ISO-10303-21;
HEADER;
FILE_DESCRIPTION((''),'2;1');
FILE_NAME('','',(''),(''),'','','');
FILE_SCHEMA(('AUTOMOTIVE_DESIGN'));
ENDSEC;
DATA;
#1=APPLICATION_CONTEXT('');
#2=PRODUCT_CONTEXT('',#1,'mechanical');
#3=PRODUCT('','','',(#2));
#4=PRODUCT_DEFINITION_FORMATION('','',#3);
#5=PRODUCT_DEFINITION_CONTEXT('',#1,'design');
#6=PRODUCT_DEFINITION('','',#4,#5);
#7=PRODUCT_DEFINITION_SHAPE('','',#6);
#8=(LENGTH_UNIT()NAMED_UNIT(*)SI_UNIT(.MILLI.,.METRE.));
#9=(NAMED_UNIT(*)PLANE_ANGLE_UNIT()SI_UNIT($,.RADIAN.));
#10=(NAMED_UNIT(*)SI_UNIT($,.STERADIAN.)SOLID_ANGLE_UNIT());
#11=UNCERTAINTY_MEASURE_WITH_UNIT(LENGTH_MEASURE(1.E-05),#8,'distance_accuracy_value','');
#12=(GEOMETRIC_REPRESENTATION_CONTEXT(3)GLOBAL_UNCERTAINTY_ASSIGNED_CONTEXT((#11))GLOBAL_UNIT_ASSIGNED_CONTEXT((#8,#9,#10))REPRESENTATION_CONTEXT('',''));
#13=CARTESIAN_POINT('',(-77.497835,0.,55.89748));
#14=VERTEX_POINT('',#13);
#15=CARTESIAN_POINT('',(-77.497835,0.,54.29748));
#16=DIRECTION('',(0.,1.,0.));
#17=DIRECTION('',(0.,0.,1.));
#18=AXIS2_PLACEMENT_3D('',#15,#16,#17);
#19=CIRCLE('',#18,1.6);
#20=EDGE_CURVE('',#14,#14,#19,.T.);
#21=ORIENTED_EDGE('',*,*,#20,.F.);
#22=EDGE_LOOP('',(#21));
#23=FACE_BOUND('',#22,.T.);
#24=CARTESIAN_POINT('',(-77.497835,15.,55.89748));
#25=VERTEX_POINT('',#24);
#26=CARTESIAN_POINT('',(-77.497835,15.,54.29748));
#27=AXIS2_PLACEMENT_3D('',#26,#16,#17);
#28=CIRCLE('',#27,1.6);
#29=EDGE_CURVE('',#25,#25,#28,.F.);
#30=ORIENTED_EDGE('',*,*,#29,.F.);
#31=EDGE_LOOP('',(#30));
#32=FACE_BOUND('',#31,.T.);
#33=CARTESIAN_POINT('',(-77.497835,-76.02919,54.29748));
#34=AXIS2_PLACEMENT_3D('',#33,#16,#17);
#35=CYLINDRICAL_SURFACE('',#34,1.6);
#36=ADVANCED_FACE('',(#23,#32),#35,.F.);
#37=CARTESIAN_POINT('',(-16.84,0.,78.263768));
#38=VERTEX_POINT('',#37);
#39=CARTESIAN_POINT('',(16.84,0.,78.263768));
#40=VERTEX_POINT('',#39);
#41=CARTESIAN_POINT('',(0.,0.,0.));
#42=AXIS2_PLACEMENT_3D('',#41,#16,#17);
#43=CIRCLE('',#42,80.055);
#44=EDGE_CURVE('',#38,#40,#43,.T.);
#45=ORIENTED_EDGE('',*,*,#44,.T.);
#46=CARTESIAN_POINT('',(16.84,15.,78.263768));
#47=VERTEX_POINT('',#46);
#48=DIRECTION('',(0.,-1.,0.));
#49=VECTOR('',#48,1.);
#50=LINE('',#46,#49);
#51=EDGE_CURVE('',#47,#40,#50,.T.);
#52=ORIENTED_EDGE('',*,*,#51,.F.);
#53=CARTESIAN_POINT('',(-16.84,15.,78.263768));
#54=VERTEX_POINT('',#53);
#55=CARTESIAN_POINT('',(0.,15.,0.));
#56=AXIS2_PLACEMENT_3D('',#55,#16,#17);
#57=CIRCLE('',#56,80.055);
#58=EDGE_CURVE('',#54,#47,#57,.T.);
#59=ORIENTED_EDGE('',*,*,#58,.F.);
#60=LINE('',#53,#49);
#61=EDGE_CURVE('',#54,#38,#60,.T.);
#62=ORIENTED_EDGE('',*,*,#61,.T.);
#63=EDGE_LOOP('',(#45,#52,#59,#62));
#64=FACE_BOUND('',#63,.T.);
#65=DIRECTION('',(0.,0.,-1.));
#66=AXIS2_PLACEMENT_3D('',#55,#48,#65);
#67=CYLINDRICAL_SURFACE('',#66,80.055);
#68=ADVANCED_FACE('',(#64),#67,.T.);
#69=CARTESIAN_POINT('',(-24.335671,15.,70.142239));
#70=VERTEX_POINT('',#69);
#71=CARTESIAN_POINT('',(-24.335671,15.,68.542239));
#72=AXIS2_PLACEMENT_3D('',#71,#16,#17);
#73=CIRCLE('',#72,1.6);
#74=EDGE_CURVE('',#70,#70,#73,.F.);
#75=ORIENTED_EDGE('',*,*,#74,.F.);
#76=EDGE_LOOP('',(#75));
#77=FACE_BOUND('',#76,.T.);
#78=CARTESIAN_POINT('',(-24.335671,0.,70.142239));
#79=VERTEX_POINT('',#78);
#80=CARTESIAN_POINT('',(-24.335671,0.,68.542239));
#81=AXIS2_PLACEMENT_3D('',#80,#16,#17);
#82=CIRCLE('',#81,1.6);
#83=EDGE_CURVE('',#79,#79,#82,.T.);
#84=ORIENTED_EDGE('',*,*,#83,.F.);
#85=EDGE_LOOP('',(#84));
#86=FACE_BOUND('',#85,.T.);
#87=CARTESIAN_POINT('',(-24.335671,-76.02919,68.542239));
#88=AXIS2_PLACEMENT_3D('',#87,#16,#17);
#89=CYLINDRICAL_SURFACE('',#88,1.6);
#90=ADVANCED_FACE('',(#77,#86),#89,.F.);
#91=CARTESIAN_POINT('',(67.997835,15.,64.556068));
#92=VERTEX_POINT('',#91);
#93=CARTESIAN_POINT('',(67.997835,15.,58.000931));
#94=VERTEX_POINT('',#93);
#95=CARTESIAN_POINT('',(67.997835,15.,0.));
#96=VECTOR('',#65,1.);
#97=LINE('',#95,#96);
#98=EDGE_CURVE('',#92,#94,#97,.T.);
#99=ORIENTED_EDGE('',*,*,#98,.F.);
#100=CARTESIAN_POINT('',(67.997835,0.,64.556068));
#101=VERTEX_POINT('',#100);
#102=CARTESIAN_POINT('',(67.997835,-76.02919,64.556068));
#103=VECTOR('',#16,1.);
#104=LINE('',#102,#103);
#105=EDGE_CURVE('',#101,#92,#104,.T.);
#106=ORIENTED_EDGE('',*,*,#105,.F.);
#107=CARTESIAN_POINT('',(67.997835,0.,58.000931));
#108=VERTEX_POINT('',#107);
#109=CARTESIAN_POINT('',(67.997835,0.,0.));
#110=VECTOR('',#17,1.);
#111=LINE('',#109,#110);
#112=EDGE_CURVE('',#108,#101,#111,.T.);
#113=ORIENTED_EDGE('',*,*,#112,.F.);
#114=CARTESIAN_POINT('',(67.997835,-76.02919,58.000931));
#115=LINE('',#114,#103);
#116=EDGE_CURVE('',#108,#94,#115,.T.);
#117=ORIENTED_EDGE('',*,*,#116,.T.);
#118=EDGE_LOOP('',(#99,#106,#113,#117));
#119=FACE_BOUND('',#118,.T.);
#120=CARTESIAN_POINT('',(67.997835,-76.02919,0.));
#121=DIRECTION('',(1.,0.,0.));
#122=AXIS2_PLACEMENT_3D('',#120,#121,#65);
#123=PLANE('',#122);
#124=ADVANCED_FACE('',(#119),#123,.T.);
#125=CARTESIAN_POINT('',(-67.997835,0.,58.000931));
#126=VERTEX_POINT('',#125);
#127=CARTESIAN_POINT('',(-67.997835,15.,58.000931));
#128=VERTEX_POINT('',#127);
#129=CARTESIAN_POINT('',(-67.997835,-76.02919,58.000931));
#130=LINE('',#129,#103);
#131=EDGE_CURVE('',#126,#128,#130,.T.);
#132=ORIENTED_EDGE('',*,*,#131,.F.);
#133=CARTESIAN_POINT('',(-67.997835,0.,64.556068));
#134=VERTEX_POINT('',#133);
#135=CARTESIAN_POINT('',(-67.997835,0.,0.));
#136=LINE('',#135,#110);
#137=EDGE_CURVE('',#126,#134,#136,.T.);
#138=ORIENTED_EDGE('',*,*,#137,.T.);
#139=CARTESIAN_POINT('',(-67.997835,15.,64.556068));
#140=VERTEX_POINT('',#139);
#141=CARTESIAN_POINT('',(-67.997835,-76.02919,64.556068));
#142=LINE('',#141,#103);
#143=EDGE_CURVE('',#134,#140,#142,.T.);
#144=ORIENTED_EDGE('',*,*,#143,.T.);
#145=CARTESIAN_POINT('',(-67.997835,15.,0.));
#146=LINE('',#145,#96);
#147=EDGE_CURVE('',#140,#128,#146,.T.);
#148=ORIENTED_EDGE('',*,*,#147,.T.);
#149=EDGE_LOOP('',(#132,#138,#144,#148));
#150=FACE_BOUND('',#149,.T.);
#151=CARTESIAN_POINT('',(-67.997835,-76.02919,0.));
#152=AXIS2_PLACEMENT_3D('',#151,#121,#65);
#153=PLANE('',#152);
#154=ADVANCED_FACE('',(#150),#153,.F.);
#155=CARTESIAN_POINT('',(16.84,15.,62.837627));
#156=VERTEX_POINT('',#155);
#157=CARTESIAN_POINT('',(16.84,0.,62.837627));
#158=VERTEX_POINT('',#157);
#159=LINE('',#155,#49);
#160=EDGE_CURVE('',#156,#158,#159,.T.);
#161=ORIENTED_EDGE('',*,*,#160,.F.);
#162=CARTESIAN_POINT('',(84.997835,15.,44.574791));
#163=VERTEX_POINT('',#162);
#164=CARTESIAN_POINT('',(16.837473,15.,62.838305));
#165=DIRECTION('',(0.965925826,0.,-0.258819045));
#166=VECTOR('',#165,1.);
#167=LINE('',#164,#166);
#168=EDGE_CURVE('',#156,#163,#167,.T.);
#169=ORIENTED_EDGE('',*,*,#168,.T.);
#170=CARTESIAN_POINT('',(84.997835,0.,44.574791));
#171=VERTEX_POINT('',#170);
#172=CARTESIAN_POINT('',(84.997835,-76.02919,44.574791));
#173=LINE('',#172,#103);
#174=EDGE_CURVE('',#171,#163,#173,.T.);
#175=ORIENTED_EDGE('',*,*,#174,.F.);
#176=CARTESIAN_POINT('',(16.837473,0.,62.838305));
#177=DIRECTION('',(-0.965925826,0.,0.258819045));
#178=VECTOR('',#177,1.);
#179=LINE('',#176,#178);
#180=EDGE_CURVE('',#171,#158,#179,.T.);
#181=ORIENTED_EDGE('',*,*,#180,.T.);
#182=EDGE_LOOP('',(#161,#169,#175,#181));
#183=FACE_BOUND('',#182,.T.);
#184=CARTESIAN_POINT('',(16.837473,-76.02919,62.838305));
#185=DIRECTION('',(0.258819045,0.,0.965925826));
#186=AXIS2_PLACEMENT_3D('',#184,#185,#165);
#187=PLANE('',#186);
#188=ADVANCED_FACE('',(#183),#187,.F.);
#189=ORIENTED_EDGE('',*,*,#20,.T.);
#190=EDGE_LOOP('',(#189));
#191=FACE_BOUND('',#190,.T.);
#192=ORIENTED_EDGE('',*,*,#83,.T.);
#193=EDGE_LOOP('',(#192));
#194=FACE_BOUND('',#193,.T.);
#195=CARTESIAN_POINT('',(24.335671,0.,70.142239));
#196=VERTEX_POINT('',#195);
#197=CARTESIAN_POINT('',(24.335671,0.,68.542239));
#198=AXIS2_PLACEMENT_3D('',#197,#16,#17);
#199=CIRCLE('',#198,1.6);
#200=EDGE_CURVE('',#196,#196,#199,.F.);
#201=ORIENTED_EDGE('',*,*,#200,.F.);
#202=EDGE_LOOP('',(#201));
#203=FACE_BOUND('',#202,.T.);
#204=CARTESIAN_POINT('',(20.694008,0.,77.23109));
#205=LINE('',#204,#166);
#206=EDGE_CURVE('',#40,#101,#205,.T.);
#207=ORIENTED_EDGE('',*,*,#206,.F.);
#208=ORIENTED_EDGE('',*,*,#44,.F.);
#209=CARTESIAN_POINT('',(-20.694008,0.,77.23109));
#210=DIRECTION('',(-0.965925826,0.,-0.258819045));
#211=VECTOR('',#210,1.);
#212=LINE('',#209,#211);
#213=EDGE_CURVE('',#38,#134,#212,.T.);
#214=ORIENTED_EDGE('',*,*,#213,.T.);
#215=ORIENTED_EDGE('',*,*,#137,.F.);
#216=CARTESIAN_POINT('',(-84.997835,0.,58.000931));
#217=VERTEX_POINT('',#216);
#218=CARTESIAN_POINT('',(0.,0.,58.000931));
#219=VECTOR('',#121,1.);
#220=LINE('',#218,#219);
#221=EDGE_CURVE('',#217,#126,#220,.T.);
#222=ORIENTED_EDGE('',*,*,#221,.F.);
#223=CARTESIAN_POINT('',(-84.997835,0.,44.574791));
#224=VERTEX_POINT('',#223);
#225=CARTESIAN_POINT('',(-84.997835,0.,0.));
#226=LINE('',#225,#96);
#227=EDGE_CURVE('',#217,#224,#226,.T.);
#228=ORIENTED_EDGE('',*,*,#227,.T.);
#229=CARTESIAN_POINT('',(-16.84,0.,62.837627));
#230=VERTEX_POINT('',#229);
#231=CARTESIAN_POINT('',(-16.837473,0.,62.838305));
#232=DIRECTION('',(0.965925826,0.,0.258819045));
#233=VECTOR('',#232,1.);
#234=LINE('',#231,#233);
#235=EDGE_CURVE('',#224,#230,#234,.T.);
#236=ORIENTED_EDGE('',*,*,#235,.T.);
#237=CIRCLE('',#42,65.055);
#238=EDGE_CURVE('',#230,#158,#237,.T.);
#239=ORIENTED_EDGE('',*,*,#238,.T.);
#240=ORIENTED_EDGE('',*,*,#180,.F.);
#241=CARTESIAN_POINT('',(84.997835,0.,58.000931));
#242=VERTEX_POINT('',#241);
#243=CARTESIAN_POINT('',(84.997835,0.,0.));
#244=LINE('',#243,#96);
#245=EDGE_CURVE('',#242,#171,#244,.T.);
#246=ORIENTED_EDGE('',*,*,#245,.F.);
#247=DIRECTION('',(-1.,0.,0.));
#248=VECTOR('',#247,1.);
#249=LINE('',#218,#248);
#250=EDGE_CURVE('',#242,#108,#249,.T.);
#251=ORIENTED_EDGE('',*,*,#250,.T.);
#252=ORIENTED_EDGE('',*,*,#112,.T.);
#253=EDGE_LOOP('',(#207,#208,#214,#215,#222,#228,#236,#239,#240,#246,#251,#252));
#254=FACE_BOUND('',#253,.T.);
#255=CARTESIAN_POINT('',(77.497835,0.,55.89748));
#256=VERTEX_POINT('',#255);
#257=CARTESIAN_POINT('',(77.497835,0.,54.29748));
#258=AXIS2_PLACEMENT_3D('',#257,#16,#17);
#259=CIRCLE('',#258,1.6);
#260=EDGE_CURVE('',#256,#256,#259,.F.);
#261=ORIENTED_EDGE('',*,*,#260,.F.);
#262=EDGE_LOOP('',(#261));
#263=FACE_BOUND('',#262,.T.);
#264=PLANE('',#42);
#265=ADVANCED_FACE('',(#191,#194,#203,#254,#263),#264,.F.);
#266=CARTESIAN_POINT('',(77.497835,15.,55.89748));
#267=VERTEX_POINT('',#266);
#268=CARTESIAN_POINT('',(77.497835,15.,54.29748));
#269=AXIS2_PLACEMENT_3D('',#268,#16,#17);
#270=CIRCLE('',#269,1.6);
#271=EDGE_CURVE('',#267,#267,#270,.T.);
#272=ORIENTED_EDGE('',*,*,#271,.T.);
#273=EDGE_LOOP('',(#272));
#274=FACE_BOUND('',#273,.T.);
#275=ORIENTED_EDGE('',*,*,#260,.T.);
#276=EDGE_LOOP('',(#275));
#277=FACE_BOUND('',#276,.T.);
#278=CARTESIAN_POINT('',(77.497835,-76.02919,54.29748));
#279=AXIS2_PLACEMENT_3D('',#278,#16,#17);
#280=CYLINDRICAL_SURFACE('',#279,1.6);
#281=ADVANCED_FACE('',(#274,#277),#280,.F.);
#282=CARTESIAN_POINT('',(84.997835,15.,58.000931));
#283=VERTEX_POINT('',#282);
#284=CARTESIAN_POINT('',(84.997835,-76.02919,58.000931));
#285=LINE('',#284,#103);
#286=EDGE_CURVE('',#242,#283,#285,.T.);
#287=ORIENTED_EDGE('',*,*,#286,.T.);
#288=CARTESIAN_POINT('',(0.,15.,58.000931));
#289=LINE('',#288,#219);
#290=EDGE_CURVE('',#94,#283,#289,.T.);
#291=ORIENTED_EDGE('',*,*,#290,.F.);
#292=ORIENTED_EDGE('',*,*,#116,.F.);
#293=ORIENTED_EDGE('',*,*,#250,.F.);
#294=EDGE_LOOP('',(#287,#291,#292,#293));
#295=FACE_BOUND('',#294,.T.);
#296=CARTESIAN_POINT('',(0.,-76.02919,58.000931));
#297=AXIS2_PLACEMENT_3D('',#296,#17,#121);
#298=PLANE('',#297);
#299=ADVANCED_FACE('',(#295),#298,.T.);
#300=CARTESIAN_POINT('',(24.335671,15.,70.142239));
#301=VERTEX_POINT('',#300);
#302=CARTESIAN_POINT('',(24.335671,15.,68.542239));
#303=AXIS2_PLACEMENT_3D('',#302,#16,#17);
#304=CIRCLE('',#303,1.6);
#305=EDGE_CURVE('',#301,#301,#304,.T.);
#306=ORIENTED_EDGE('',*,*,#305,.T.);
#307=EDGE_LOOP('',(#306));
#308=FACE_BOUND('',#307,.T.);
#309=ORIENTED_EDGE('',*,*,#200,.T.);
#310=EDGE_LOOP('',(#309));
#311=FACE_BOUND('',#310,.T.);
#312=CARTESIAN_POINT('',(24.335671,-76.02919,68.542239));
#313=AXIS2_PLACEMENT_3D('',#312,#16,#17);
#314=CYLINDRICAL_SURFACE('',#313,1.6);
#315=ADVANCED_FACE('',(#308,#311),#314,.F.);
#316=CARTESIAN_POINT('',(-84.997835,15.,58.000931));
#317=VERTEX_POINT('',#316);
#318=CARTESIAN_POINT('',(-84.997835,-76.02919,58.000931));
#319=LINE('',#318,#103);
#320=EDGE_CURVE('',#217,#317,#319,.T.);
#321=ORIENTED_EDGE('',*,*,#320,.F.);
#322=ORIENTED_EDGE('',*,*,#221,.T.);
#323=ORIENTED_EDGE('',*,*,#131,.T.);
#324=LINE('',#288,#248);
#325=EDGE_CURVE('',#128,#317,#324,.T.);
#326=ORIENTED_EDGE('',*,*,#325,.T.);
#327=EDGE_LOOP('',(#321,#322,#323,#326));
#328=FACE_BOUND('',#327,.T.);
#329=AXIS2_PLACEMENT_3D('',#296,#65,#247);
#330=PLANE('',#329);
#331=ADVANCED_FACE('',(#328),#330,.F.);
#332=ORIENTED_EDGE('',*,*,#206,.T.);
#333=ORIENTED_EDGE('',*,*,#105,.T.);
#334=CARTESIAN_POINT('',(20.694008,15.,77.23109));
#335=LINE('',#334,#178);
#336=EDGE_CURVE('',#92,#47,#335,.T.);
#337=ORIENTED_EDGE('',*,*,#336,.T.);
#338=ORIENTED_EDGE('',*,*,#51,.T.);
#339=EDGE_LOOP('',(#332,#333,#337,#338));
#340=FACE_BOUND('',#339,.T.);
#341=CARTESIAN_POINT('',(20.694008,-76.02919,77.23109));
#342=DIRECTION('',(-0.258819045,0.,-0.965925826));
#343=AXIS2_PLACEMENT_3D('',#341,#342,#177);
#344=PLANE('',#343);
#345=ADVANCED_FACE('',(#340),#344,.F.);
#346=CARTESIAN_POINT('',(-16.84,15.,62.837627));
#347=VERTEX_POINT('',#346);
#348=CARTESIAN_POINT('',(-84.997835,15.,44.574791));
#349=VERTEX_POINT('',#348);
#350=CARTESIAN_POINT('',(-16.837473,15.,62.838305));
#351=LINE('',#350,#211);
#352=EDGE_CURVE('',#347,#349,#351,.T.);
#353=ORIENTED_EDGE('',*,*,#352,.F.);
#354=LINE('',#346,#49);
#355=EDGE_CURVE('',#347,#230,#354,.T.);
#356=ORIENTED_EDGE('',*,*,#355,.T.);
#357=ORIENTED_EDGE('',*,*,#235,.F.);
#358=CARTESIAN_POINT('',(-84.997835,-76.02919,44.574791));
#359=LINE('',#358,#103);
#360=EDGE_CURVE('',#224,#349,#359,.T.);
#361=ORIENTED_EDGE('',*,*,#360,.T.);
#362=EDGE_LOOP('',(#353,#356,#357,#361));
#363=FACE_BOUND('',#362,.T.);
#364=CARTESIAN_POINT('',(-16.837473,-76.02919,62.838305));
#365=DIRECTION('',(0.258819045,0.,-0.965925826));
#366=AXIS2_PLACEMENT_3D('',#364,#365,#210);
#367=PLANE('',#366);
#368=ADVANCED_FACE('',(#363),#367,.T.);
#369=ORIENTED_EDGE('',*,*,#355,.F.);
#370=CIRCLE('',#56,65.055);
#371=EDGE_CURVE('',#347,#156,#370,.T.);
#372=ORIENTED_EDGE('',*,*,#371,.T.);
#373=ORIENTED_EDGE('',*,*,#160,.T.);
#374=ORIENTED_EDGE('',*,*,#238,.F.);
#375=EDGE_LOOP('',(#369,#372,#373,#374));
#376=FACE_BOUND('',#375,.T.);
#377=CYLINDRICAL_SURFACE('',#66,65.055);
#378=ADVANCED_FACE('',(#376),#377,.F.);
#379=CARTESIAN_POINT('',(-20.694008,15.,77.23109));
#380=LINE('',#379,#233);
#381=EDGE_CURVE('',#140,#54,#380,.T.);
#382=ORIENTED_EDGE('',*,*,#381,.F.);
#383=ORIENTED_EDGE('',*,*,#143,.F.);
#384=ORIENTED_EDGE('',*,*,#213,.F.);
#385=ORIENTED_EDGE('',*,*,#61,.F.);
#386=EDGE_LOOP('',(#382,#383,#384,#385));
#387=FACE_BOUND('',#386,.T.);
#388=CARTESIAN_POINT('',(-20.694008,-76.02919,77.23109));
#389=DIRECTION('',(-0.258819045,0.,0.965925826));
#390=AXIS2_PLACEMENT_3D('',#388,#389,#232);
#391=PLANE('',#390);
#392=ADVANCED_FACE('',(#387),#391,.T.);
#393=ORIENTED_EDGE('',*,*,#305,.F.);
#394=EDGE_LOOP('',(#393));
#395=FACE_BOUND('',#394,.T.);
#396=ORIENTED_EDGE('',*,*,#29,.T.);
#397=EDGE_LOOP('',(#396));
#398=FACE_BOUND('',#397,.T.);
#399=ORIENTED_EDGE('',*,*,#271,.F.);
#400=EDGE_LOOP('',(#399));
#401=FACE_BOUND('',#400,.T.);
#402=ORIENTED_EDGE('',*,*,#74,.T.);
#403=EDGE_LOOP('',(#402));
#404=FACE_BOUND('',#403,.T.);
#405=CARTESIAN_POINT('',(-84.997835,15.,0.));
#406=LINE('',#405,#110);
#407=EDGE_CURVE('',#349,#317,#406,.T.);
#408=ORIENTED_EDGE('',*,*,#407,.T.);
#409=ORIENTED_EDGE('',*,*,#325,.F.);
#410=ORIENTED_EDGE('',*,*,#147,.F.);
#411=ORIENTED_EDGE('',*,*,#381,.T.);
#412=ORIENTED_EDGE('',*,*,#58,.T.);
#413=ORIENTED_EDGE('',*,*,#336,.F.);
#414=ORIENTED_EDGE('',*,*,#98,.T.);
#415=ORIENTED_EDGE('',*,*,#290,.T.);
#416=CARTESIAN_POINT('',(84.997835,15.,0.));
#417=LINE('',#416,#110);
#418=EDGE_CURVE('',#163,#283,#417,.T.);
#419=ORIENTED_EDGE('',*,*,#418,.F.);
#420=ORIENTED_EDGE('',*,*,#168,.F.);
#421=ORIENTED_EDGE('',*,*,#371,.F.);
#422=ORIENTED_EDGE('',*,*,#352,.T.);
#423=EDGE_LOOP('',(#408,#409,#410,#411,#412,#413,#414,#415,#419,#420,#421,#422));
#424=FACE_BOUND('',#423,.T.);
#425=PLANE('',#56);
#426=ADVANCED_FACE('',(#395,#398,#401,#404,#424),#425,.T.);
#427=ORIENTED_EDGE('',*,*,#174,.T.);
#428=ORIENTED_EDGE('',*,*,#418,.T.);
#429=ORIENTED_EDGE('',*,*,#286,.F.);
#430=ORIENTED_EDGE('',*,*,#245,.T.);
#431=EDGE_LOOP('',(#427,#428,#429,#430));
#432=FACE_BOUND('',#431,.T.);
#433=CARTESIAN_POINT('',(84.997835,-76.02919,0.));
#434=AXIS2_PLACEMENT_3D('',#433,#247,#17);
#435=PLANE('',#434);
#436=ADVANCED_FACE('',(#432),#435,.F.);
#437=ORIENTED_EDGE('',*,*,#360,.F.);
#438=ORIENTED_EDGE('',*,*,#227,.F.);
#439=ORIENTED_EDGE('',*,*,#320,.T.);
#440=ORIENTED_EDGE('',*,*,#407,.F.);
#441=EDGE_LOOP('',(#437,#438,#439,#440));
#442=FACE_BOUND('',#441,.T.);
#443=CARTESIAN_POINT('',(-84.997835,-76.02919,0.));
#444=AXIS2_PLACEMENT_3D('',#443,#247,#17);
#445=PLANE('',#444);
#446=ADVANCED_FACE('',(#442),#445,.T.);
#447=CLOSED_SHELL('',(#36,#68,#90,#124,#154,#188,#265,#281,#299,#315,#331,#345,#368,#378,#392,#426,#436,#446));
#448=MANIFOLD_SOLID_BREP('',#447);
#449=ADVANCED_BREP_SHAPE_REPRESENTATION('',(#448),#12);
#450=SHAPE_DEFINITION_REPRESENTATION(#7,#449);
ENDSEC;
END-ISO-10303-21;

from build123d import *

# Parameters (mm, degrees)
BOSS_EXTRUDE1_DEPTH = 15
SKETCH2_R           = 1.6
BOSS_EXTRUDE2_DEPTH = 15


with BuildPart() as part:
    # Sketch1 → Boss-Extrude1 (new body)
    with BuildSketch(Plane(origin=(0, 0, 0), x_dir=(1, 0, 0), z_dir=(0, 1, 0))):
        with BuildLine():
            ThreePointArc((16.84, -62.837627462), (0, -65.055), (-16.84, -62.837627462))
            Line((-16.84, -62.837627462), (-16.84, -78.263768278))
            ThreePointArc((-16.84, -78.263768278), (0, -80.055), (16.84, -78.263768278))
            Line((16.84, -78.263768278), (16.84, -62.837627462))
        make_face()
    extrude(amount=BOSS_EXTRUDE1_DEPTH)

    # Sketch2 → Boss-Extrude2 (add)
    # profile 1 of 2: a face of its own
    with BuildSketch(Plane(origin=(0, 15, 0), x_dir=(1, 0, 0), z_dir=(0, 1, 0))):
        Polygon((-16.84, -62.837627462), (-84.997835254, -44.574790547), (-84.997835254, -58.000931363), (-67.997835254, -58.000931363), (-67.997835254, -64.556067635), (-16.84, -78.263768278), align=None)
        with Locations(Location((-24.335670508, -68.54223901, 0), (0, 0, 270))):
            Circle(SKETCH2_R, mode=Mode.SUBTRACT)
        with Locations(Location((-77.497835254, -54.297479899, 0), (0, 0, 270))):
            Circle(SKETCH2_R, mode=Mode.SUBTRACT)
    # profile 2 of 2: a face of its own
    with BuildSketch(Plane(origin=(0, 15, 0), x_dir=(1, 0, 0), z_dir=(0, 1, 0))):
        Polygon((84.997835254, -44.574790547), (16.84, -62.837627462), (16.84, -78.263768278), (67.997835254, -64.556067635), (67.997835254, -58.000931363), (84.997835254, -58.000931363), align=None)
        with Locations(Location((24.335670508, -68.54223901, 0), (0, 0, 270))):
            Circle(SKETCH2_R, mode=Mode.SUBTRACT)
        with Locations(Location((77.497835254, -54.297479899, 0), (0, 0, 270))):
            Circle(SKETCH2_R, mode=Mode.SUBTRACT)
    extrude(amount=-BOSS_EXTRUDE2_DEPTH)


solid = part.part
